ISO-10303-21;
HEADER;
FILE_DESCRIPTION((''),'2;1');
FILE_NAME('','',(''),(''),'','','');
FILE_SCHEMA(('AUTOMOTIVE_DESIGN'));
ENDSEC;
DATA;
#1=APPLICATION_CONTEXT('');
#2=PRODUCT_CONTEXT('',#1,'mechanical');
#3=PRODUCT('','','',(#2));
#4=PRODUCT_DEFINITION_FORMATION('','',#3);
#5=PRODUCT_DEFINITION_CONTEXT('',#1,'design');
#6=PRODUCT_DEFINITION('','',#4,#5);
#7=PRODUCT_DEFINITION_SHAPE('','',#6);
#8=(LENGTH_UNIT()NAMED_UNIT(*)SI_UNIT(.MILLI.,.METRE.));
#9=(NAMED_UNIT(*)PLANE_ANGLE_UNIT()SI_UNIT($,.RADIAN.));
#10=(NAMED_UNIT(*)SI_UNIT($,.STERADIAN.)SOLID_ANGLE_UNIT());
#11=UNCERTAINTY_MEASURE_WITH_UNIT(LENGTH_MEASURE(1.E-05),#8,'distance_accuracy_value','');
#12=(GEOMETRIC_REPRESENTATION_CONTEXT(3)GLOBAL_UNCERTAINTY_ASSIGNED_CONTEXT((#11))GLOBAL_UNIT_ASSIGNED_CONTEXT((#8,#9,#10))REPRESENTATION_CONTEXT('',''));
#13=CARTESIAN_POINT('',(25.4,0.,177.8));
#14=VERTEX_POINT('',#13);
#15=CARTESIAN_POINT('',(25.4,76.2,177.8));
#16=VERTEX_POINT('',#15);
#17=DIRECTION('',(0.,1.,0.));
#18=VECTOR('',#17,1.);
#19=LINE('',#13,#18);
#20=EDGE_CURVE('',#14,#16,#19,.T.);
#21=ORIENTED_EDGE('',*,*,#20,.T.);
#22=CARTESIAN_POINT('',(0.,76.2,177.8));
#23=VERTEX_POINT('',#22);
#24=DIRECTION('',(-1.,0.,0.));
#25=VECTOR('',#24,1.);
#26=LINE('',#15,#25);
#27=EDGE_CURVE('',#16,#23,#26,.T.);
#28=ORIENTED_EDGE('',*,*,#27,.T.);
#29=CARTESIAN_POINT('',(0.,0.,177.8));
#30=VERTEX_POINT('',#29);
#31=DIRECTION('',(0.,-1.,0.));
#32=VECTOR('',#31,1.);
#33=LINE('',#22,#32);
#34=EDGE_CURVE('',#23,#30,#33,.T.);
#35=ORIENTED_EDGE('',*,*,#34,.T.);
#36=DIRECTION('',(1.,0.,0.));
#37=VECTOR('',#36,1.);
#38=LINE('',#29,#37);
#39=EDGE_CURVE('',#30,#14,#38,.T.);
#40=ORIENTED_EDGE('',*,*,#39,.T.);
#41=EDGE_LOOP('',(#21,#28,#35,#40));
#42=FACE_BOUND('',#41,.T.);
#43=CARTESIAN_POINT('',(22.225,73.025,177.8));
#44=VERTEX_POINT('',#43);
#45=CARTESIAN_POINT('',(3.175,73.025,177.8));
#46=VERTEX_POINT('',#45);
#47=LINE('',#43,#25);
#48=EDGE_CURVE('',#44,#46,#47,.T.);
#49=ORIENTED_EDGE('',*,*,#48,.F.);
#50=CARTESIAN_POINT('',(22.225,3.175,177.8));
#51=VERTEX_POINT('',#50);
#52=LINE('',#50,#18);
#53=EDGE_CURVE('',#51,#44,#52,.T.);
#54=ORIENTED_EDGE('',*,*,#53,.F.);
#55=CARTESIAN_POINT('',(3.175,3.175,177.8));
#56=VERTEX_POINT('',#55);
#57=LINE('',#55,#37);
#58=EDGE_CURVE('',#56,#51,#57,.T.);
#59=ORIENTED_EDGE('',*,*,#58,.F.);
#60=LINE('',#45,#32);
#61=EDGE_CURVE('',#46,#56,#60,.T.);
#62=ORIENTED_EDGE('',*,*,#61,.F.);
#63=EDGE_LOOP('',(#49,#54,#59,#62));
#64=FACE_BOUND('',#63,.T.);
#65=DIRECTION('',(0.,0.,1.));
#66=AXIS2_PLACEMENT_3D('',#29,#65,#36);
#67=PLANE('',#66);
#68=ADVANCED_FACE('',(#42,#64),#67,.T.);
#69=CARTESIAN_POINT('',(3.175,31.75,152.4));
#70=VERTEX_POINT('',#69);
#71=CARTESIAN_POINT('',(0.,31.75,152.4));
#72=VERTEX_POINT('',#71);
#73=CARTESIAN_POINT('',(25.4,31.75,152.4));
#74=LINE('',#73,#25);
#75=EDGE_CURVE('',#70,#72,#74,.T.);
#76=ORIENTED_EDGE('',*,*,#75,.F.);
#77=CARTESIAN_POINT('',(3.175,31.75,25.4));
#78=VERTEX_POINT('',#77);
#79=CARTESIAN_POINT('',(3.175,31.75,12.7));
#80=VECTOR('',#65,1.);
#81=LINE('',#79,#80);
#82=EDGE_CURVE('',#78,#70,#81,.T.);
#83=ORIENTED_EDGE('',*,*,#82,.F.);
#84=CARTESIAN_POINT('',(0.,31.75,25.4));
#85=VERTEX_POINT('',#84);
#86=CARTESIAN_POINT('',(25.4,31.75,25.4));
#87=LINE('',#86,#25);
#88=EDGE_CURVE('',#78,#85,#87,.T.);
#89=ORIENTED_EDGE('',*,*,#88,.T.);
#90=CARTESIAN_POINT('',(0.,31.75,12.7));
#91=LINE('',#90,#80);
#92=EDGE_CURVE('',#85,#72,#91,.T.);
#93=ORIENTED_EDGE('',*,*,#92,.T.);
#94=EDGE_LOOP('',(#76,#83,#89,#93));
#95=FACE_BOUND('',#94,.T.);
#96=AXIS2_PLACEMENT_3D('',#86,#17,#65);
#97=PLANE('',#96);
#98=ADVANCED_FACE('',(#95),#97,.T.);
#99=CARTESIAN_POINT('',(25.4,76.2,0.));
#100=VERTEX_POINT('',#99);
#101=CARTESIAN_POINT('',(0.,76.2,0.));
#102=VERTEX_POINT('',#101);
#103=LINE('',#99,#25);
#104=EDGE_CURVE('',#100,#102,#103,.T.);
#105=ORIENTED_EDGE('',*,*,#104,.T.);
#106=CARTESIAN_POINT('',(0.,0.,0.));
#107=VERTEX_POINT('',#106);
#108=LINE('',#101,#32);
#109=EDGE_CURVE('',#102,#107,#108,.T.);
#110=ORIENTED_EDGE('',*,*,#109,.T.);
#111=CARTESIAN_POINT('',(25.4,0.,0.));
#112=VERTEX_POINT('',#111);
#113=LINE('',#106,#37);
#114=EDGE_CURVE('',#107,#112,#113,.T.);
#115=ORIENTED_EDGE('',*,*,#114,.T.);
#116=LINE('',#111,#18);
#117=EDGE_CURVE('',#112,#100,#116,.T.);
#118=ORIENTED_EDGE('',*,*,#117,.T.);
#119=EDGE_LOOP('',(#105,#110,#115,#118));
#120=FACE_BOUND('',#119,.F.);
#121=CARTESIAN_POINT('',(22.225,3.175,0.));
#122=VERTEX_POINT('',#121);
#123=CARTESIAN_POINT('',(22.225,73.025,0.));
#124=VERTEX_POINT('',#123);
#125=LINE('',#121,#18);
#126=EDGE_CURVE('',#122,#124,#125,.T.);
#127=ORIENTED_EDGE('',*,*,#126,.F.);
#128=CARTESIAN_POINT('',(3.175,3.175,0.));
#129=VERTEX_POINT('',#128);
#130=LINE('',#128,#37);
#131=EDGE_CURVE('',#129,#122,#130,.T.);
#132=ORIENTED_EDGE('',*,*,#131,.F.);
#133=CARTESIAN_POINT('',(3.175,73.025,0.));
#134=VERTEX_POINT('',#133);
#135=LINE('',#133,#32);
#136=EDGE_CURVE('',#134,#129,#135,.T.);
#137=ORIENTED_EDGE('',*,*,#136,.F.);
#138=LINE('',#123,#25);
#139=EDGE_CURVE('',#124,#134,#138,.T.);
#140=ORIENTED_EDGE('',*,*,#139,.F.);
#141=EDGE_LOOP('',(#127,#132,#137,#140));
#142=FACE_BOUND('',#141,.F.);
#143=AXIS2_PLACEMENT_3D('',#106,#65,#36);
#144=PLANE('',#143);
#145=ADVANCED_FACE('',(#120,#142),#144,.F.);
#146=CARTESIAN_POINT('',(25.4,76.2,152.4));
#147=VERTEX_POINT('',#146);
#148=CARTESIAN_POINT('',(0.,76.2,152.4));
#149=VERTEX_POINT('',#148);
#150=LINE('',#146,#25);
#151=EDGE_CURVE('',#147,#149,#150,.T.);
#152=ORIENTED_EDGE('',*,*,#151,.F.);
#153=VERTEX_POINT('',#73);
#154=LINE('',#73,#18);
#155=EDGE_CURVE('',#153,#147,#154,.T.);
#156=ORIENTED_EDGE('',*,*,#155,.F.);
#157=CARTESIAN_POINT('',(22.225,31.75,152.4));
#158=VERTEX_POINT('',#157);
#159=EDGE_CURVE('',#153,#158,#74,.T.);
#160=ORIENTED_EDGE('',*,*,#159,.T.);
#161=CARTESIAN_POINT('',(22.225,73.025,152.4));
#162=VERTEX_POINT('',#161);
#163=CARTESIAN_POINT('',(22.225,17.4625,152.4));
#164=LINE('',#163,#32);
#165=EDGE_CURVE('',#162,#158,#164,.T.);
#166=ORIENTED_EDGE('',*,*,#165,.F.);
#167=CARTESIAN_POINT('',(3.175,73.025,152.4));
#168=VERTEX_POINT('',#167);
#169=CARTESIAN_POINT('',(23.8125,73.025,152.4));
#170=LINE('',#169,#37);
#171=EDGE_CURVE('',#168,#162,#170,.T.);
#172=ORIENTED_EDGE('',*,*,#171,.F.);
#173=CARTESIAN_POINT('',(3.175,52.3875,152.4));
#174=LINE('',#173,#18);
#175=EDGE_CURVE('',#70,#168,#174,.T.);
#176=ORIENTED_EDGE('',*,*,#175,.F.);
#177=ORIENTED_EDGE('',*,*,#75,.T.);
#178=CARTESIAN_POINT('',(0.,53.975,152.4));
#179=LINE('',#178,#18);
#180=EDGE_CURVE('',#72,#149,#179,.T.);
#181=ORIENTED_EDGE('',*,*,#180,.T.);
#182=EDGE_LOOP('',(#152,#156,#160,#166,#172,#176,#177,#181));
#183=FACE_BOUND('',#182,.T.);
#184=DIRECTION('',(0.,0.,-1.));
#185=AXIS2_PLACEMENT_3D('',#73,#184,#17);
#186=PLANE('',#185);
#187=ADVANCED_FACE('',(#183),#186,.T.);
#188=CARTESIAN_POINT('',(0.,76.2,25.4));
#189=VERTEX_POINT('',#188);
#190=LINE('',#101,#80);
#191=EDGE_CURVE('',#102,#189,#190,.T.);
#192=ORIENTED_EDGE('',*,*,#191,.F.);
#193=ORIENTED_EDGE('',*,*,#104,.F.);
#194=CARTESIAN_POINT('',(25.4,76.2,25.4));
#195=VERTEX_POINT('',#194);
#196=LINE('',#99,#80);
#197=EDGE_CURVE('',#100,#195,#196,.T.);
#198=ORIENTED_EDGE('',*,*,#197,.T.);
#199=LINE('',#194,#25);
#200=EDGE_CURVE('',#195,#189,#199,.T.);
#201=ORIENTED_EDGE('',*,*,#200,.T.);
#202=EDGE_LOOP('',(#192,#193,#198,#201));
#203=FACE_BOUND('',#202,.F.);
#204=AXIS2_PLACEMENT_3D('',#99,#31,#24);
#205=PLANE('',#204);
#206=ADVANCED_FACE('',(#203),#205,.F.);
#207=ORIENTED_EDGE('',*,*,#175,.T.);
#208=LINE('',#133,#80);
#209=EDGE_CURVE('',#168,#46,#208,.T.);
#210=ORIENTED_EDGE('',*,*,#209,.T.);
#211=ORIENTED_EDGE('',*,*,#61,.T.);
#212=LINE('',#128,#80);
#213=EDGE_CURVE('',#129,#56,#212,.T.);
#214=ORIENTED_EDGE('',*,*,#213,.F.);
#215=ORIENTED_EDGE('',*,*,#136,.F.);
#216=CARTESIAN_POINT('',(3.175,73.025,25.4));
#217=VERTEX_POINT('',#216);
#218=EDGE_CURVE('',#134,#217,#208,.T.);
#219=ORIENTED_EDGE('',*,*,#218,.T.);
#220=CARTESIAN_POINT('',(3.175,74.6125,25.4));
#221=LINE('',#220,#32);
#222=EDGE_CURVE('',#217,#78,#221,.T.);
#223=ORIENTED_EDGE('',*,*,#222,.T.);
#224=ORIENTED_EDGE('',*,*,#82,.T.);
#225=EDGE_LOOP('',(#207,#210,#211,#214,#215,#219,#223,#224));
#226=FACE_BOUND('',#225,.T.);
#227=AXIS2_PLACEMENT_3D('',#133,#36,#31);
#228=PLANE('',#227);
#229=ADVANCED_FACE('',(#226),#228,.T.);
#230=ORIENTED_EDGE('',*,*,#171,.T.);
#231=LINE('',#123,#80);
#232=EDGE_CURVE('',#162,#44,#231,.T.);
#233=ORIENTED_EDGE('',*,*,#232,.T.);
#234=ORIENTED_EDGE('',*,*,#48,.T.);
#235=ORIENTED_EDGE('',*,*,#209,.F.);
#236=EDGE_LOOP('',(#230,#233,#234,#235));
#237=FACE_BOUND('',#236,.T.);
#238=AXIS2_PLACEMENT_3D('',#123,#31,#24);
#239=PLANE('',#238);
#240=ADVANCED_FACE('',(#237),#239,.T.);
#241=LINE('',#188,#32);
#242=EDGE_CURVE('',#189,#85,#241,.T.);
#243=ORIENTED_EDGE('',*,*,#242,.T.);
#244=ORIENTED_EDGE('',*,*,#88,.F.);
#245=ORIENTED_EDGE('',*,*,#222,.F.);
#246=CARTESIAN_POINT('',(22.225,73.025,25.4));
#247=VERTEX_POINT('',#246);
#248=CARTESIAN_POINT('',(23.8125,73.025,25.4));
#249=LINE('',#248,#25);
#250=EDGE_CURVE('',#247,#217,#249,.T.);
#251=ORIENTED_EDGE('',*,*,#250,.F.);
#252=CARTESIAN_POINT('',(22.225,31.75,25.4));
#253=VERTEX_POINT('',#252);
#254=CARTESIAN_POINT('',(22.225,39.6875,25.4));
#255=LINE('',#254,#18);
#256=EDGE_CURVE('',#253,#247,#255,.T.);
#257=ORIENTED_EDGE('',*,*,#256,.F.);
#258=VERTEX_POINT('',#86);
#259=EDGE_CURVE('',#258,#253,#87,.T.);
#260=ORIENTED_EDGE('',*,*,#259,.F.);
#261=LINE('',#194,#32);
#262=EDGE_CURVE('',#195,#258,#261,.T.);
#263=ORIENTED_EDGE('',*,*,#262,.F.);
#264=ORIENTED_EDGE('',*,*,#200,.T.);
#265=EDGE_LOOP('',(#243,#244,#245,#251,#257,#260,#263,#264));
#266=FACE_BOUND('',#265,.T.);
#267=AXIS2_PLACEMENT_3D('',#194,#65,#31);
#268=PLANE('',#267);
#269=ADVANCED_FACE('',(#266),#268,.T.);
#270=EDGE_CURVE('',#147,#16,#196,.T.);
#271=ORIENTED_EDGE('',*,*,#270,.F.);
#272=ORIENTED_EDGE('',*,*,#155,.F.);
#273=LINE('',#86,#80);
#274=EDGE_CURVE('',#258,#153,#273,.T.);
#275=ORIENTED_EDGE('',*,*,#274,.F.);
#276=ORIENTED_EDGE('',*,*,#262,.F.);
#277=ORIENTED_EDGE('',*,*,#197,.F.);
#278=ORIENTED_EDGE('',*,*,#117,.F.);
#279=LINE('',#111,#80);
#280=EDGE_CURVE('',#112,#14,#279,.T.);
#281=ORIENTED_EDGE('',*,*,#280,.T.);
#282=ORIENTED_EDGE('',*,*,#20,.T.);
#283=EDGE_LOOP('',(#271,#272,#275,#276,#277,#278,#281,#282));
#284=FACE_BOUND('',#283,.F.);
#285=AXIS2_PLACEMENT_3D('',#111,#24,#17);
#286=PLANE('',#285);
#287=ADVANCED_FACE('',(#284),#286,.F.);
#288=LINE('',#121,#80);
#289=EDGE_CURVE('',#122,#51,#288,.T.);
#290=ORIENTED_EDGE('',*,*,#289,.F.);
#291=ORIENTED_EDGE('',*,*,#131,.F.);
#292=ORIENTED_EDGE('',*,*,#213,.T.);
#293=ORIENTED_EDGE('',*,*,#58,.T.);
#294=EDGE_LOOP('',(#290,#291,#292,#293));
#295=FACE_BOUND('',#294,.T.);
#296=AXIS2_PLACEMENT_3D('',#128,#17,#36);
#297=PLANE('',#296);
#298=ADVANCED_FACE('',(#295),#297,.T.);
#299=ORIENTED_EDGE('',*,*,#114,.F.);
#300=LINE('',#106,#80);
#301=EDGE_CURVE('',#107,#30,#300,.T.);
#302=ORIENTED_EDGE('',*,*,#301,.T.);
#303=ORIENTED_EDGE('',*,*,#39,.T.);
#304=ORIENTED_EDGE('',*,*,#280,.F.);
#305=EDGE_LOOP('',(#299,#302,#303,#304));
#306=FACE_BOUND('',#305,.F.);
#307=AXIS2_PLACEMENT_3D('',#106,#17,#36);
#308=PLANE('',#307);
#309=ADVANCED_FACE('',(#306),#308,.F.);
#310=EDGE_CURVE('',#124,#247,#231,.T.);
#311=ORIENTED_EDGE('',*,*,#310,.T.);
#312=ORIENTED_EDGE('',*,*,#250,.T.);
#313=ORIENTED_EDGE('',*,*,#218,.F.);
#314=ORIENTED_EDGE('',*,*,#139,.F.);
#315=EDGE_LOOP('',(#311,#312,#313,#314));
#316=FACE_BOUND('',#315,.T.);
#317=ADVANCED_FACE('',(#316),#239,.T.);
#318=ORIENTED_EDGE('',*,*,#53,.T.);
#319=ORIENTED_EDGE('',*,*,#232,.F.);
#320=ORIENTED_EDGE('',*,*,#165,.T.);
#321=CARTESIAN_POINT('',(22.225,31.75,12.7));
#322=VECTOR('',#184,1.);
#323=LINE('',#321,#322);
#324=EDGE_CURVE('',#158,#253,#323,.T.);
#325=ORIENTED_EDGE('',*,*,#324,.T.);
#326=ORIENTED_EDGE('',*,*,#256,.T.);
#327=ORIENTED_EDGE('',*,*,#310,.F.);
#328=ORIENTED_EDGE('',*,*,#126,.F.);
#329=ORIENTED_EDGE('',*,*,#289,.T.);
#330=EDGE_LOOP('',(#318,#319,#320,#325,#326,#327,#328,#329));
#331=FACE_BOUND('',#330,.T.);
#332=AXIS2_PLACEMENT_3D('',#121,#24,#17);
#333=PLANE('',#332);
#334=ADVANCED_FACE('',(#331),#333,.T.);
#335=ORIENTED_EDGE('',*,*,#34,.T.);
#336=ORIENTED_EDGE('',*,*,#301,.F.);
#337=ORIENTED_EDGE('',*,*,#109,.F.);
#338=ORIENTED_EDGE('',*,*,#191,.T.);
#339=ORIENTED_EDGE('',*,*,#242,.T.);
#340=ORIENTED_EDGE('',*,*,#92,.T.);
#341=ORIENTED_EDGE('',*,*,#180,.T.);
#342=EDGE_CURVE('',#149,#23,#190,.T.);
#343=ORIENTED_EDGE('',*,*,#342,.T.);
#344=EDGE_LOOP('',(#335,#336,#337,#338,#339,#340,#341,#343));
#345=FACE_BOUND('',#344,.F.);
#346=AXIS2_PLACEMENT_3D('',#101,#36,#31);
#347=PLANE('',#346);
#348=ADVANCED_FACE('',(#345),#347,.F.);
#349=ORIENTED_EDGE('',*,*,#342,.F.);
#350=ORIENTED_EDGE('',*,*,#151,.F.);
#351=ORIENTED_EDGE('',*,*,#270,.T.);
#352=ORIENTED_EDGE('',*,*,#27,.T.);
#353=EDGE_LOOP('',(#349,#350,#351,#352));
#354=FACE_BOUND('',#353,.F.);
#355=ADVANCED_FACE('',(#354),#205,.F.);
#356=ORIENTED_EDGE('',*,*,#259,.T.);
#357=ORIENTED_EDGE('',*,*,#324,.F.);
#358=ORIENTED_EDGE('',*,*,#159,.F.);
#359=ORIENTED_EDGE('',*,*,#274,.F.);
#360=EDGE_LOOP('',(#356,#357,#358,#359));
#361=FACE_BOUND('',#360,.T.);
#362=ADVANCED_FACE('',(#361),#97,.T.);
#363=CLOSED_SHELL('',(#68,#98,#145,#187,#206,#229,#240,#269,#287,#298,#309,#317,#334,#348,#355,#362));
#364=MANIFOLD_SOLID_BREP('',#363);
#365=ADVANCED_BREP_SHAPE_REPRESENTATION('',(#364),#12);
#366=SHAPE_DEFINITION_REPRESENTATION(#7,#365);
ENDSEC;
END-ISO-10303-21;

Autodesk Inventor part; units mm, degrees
ref_plane "YZ Plane" through (0, 0, 0) normal (1, 0, 0) x (0, 1, 0)
ref_plane "XZ Plane" through (0, 0, 0) normal (0, 1, 0) x (-1, 0, 0)
ref_plane "XY Plane" through (0, 0, 0) normal (0, 0, 1) x (1, 0, 0)
sketch "Sketch1" plane through (0, 0, 0) normal (0, 0, 1) x (1, 0, 0)
  line L0 (0, 0) -> (25.4, 0)
  line L1 (25.4, 0) -> (25.4, 76.2)
  line L2 (25.4, 76.2) -> (0, 76.2)
  line L3 (0, 76.2) -> (0, 0)
  line L4 (3.175, 3.175) -> (22.225, 3.175)
  line L5 (22.225, 3.175) -> (22.225, 73.025)
  line L6 (22.225, 73.025) -> (3.175, 73.025)
  line L7 (3.175, 73.025) -> (3.175, 3.175)
  dimension "d0" = 76.2
  dimension "d1" = 25.4
  dimension "d2" = 3.175
  dimension "d3" = 3.175
  dimension "d4" = 3.175
  dimension "d5" = 3.175
extrude "Extrusion1" add sketch "Sketch1" along normal blind 177.8
sketch "Sketch2" plane through (25.4, 0, 0) normal (1, 0, 0) x (0, 0, -1)
  line L0 (-177.8, 76.2) -> (-177.8, 0) projected
  line L1 (0, 0) -> (0, 76.2) projected
  line L2 (0, 76.2) -> (-177.8, 76.2) projected
  line L3 (-152.4, 76.2) -> (-25.4, 76.2)
  line L4 (-25.4, 76.2) -> (-25.4, 31.75)
  line L5 (-25.4, 31.75) -> (-152.4, 31.75)
  line L6 (-152.4, 31.75) -> (-152.4, 76.2)
  dimension "d8" = 44.45
  dimension "d9" = 25.4
  dimension "d10" = 25.4
extrude "Extrusion2" cut sketch "Sketch2" against normal through all
equation "\"d2\" = d5"
equation "\"d4\" = d3"
equation "\"d5\" = d4"
properties part number "frame undermount 1 by 3"
